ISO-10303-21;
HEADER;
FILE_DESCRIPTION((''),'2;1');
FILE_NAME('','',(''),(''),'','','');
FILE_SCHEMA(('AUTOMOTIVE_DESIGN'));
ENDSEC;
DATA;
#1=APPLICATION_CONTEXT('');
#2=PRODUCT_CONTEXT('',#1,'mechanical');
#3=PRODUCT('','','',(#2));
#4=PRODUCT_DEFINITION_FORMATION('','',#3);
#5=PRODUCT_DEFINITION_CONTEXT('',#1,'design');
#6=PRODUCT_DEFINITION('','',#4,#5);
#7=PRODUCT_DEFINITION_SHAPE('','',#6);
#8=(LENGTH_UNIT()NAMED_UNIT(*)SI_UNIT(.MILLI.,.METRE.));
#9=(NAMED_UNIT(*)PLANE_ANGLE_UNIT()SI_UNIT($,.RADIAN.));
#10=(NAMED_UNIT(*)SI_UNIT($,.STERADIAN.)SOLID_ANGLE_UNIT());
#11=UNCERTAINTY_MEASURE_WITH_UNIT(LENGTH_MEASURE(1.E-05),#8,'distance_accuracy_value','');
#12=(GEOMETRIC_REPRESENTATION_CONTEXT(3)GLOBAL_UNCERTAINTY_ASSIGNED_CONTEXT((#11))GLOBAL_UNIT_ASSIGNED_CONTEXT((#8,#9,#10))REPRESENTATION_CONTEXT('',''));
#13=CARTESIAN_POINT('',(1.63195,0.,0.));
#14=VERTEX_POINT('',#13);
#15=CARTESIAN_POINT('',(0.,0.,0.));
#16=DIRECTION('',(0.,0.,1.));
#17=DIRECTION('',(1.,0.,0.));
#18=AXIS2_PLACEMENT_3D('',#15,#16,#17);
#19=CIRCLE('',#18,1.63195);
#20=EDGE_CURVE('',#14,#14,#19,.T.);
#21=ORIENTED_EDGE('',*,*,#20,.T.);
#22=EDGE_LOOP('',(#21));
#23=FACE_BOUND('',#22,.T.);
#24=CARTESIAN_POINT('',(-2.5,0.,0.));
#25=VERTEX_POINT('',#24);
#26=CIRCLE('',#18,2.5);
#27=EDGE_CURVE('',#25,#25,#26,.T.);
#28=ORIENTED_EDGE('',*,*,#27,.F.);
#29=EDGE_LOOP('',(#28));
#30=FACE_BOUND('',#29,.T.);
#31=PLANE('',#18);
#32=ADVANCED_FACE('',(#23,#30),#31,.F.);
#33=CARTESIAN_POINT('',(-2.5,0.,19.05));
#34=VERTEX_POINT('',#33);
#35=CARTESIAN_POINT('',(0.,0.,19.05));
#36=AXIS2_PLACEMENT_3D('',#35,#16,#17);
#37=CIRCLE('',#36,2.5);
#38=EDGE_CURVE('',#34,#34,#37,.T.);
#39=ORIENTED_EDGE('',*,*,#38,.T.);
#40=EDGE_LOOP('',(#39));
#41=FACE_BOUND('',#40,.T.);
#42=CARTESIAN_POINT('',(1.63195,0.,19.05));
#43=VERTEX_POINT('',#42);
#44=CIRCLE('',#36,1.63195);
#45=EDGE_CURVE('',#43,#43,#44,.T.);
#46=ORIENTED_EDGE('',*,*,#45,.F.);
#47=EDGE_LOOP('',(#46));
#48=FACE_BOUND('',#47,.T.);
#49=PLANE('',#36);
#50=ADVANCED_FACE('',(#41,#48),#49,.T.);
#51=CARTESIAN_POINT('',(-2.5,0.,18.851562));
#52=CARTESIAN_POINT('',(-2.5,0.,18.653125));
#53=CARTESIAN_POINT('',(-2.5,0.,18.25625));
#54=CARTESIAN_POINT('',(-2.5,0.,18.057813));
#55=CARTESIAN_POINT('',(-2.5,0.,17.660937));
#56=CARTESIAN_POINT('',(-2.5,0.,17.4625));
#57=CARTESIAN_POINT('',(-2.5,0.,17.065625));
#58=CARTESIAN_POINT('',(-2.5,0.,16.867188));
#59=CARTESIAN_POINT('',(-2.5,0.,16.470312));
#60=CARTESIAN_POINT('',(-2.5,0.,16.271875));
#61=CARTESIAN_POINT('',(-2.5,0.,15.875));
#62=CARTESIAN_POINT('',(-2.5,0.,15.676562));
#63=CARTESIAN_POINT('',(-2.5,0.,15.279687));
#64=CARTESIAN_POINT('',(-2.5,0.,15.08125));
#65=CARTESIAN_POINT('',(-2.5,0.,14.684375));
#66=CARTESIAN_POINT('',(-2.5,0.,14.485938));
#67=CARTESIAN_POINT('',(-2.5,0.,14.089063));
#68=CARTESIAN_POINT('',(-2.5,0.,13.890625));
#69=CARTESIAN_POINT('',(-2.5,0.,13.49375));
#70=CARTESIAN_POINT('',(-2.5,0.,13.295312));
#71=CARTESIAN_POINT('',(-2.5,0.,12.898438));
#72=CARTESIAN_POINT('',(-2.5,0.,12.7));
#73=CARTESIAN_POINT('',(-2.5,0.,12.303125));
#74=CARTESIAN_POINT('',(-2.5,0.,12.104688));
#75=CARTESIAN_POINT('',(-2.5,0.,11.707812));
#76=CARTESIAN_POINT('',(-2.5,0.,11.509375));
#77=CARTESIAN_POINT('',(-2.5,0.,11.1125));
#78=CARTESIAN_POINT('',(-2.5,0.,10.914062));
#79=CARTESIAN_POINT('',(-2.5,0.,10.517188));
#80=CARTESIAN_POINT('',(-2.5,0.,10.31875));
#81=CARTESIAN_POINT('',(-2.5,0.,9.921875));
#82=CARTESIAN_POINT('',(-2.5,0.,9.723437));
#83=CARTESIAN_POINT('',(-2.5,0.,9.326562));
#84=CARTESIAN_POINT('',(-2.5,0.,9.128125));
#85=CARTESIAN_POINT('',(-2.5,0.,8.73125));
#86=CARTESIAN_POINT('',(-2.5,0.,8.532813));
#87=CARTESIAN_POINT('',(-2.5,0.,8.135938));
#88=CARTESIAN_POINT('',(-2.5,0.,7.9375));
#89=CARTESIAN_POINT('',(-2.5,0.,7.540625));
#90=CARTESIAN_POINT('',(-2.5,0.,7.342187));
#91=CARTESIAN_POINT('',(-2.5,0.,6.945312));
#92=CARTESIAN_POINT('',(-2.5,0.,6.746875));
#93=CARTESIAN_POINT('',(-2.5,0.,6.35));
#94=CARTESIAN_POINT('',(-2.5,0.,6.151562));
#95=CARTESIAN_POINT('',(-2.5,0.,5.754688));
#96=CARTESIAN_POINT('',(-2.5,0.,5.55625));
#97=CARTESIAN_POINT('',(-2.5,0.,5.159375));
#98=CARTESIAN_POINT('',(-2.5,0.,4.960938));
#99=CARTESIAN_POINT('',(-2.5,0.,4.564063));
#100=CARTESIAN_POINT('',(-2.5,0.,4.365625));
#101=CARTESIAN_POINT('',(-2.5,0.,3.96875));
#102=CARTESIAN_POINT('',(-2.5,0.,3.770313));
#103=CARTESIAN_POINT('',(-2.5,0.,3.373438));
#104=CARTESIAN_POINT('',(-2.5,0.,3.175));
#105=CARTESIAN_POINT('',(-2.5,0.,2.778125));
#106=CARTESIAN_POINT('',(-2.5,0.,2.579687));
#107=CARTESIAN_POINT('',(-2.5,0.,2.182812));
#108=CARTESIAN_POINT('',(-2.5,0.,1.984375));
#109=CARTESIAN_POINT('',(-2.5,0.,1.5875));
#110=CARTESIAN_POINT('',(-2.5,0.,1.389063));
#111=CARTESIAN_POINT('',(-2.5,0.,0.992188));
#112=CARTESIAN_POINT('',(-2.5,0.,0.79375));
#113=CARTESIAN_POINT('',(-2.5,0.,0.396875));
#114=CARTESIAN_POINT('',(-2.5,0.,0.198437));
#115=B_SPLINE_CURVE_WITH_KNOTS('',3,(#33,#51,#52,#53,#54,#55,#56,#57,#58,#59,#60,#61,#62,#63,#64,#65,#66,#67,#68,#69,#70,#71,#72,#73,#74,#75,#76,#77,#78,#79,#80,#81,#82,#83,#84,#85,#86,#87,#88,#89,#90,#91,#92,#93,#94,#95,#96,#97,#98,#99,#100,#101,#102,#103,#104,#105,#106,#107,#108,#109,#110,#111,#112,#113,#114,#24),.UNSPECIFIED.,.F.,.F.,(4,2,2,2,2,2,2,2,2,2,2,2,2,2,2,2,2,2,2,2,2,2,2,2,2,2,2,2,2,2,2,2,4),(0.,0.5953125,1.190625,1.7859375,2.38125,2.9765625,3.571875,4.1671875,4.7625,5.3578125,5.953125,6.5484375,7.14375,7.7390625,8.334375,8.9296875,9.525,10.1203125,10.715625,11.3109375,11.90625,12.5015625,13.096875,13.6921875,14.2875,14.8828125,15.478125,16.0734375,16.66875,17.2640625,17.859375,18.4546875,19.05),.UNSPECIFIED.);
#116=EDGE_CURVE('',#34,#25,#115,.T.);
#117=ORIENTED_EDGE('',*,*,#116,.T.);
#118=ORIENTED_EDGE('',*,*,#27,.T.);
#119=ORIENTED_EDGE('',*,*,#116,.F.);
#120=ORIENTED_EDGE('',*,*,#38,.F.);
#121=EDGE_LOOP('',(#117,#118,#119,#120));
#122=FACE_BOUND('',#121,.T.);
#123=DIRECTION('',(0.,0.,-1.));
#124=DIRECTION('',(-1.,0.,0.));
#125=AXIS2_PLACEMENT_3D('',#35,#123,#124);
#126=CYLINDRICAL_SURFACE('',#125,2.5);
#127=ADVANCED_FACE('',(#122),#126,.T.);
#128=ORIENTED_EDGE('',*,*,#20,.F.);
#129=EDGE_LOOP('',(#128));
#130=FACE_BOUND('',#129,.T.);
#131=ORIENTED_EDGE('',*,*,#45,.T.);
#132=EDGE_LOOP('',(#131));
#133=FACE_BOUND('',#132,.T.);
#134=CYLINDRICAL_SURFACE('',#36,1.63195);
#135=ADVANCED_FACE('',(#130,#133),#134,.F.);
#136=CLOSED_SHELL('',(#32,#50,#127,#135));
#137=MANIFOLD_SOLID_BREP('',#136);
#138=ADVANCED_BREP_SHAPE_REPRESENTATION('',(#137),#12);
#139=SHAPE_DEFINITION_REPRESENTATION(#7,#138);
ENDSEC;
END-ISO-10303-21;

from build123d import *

# Parameters (mm, degrees)
SKETCH1_R             = 2.5
BOSS_EXTRUDE1_DEPTH   = 19.05
F_4_CLEARANCE_HOLE1_D = 3.2639


with BuildPart() as part:
    # Sketch1 → Boss-Extrude1 (new body)
    with BuildSketch(Plane.XY):
        with Locations(Location((0, 0, 0), (0, 0, 180))):
            Circle(SKETCH1_R)
    extrude(amount=BOSS_EXTRUDE1_DEPTH)

    # #4 Clearance Hole1 (through all)
    with Locations(Plane.XY.offset(19.05)):
        with Locations((0, 0)):
            Hole(F_4_CLEARANCE_HOLE1_D / 2)


solid = part.part
